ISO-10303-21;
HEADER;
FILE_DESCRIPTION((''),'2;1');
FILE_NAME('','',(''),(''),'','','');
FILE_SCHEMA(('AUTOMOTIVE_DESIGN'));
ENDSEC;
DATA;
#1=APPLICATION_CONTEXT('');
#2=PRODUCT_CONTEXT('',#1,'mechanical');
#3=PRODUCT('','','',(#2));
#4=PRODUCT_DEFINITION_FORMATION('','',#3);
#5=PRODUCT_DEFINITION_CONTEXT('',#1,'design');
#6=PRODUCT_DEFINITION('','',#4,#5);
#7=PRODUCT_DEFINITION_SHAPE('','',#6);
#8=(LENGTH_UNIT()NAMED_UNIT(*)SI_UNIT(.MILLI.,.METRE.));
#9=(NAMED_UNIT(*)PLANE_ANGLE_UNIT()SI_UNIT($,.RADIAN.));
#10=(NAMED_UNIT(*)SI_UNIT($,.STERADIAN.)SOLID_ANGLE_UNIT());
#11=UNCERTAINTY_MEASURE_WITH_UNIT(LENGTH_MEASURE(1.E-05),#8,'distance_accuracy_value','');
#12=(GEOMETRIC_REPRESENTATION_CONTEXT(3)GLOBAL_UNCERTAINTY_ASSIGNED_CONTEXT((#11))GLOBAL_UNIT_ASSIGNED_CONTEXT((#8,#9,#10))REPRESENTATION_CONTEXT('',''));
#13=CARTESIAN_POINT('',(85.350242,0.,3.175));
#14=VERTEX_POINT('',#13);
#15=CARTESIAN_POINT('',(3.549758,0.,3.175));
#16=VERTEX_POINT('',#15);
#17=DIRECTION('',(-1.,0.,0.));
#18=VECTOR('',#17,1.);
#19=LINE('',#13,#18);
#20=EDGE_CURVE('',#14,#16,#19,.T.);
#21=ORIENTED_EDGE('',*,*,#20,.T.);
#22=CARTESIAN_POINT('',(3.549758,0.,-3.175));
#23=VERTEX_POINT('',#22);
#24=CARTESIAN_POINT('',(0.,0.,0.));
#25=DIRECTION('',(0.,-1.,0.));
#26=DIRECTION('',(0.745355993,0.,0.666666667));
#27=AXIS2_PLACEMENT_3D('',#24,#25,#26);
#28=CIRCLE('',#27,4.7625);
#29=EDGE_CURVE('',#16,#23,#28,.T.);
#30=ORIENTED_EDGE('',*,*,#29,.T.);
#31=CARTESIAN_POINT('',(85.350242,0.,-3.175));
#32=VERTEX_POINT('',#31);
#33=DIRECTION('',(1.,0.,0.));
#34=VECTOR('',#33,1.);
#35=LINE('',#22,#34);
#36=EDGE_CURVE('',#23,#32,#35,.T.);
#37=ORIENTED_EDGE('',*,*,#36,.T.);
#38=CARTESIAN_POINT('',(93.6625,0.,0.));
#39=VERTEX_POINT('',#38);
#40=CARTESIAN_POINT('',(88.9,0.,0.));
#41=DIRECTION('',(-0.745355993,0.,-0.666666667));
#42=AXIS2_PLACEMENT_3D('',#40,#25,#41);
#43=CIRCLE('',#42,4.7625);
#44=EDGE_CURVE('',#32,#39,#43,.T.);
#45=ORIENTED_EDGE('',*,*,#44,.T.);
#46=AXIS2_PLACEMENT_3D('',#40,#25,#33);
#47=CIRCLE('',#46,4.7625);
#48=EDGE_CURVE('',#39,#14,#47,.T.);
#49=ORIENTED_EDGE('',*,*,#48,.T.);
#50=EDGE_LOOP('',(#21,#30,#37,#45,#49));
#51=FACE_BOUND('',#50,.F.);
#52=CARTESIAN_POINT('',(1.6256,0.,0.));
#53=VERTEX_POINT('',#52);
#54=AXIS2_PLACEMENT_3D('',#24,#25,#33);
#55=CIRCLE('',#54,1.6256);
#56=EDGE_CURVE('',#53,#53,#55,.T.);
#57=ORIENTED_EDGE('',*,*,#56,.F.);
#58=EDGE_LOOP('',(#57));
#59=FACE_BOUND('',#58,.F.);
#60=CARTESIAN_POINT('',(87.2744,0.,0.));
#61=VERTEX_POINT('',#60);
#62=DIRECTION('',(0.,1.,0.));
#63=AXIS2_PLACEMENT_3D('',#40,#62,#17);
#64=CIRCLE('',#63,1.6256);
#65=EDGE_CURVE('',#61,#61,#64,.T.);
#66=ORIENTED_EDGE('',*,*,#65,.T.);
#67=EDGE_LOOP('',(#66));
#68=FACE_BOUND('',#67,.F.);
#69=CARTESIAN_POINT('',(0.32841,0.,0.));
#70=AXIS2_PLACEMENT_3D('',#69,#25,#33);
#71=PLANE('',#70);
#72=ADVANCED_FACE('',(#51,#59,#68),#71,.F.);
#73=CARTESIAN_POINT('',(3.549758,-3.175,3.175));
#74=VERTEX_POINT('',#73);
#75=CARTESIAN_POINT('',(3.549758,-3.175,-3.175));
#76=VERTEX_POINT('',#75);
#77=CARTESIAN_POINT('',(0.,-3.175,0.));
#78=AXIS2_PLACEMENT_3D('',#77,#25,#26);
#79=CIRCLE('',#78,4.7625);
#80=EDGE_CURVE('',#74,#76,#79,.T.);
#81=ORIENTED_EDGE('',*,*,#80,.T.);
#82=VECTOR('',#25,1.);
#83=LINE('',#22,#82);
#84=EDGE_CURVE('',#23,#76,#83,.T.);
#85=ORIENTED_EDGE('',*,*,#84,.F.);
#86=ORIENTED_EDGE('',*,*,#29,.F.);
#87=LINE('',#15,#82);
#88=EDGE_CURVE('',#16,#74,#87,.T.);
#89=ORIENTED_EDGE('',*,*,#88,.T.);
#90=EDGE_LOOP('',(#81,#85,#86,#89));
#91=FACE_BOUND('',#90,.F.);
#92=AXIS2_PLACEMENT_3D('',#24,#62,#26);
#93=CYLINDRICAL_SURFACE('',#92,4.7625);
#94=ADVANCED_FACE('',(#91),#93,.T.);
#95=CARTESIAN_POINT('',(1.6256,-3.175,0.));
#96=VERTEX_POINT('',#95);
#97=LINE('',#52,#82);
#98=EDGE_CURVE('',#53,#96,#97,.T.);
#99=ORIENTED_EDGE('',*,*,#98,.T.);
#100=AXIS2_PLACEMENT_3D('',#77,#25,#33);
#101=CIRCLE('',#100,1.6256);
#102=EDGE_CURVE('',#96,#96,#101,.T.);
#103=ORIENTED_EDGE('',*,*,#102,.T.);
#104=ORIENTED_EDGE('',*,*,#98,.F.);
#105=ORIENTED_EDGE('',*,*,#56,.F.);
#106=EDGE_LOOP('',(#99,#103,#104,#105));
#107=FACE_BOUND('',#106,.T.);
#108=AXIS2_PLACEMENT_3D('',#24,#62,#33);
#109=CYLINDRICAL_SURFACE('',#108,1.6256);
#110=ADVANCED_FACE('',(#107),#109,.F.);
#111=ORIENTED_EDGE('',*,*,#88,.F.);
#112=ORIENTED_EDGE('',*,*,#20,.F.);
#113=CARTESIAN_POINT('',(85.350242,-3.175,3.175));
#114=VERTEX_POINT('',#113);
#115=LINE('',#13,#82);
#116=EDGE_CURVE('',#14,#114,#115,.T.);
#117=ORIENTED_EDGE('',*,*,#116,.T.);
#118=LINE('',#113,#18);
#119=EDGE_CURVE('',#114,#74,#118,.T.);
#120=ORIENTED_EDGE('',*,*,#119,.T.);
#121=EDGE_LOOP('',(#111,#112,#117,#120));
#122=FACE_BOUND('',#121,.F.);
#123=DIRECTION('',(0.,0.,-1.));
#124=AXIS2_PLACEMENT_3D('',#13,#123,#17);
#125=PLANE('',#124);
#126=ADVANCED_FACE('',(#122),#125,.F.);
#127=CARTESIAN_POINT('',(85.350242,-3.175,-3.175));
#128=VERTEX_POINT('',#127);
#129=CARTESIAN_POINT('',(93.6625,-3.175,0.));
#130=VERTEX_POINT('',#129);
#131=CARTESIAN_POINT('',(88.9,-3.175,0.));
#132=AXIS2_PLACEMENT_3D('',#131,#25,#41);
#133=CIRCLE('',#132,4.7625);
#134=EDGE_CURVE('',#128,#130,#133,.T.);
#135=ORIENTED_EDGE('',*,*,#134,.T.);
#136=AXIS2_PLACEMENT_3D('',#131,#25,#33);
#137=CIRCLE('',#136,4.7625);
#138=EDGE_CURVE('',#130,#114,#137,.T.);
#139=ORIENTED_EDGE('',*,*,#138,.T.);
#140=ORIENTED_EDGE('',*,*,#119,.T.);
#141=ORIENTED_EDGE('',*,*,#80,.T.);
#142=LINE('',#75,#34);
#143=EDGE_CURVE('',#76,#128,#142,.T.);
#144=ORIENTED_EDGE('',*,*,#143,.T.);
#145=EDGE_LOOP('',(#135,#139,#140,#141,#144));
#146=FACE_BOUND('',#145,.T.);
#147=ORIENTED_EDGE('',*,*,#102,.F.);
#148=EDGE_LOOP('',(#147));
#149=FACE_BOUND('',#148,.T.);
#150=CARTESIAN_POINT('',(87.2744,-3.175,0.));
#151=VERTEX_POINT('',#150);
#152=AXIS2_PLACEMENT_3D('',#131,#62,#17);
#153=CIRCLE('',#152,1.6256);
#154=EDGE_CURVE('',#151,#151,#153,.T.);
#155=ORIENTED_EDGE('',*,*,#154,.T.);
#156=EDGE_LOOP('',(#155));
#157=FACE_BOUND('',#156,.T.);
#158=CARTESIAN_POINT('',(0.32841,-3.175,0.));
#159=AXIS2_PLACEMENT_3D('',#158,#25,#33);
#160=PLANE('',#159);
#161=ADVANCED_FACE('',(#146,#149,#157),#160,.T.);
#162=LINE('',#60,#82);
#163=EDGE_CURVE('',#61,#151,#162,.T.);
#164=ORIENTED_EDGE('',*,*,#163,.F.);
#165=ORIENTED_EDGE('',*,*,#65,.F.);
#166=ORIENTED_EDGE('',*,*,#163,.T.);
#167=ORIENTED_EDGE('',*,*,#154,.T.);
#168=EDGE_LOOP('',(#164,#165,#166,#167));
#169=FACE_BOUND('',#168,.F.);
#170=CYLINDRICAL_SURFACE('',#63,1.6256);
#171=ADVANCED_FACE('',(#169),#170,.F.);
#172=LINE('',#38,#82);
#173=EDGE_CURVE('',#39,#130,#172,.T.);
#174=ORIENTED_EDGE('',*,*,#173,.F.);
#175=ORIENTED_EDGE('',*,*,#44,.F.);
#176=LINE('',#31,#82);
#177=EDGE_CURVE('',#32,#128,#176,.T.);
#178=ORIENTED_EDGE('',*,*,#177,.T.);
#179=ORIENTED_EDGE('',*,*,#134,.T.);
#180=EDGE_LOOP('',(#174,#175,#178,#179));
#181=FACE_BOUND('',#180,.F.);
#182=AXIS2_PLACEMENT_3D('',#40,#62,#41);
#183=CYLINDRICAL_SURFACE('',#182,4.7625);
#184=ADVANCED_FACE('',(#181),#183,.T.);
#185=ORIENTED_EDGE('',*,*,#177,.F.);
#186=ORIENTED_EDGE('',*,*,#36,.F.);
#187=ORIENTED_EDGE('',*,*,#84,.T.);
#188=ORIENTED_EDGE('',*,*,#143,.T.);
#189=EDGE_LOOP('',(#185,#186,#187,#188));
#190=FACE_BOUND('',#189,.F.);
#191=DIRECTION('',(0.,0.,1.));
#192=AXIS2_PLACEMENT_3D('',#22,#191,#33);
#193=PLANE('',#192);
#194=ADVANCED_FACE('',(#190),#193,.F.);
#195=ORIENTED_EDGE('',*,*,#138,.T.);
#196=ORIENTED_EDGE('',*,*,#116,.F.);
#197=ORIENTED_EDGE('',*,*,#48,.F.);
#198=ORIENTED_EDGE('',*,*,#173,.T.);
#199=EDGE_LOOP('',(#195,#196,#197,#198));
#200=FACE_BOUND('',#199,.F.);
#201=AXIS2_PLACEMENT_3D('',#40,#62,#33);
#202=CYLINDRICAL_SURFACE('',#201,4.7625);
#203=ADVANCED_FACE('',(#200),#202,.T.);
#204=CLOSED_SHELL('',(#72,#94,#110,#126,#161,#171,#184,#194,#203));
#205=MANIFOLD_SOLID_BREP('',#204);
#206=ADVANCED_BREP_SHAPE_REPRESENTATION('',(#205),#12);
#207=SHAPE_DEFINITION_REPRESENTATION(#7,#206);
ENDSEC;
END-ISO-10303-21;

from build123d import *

# Parameters (mm, degrees)
F0_R     = 1.6256
F1_DEPTH = 3.175


with BuildPart() as f1:
    # F0 (on Front) → F1 (new body)
    with BuildSketch(Plane.XZ):
        with BuildLine():
            ThreePointArc((3.5497579143, -3.175), (4.4489958596, -1.6993652025), (4.7625, 0))
            ThreePointArc((4.7625, 0), (4.4489958596, 1.6993652025), (3.5497579143, 3.175))
            ThreePointArc((3.5497579143, 3.175), (-4.7625, 0), (3.5497579143, -3.175))
        make_face()
        Circle(F0_R, mode=Mode.SUBTRACT)
        with BuildLine():
            ThreePointArc((3.5497579143, 3.175), (4.4489958596, 1.6993652025), (4.7625, 0))
            Line((4.7625, 0), (84.1375, 0))
            ThreePointArc((84.1375, 0), (84.4510041404, 1.6993652025), (85.3502420857, 3.175))
            Line((85.3502420857, 3.175), (3.5497579143, 3.175))
        make_face()
        with BuildLine():
            Line((84.1375, 0), (4.7625, 0))
            ThreePointArc((4.7625, 0), (4.4489958596, -1.6993652025), (3.5497579143, -3.175))
            Line((3.5497579143, -3.175), (85.3502420857, -3.175))
            ThreePointArc((85.3502420857, -3.175), (84.4510041404, -1.6993652025), (84.1375, 0))
        make_face()
        with BuildLine():
            ThreePointArc((85.3502420857, 3.175), (84.4510041404, 1.6993652025), (84.1375, 0))
            ThreePointArc((84.1375, 0), (84.4510041404, -1.6993652025), (85.3502420857, -3.175))
            ThreePointArc((85.3502420857, -3.175), (90.5993652025, -4.4489958596), (93.6625, 0))
            ThreePointArc((93.6625, 0), (90.5993652025, 4.4489958596), (85.3502420857, 3.175))
        make_face()
        with BuildLine():
            ThreePointArc((90.5256, 0), (88.9, -1.6256), (87.2744, 0))
            ThreePointArc((87.2744, 0), (88.9, 1.6256), (90.5256, 0))
        make_face(mode=Mode.SUBTRACT)
    extrude(amount=F1_DEPTH)


solid = f1.part
